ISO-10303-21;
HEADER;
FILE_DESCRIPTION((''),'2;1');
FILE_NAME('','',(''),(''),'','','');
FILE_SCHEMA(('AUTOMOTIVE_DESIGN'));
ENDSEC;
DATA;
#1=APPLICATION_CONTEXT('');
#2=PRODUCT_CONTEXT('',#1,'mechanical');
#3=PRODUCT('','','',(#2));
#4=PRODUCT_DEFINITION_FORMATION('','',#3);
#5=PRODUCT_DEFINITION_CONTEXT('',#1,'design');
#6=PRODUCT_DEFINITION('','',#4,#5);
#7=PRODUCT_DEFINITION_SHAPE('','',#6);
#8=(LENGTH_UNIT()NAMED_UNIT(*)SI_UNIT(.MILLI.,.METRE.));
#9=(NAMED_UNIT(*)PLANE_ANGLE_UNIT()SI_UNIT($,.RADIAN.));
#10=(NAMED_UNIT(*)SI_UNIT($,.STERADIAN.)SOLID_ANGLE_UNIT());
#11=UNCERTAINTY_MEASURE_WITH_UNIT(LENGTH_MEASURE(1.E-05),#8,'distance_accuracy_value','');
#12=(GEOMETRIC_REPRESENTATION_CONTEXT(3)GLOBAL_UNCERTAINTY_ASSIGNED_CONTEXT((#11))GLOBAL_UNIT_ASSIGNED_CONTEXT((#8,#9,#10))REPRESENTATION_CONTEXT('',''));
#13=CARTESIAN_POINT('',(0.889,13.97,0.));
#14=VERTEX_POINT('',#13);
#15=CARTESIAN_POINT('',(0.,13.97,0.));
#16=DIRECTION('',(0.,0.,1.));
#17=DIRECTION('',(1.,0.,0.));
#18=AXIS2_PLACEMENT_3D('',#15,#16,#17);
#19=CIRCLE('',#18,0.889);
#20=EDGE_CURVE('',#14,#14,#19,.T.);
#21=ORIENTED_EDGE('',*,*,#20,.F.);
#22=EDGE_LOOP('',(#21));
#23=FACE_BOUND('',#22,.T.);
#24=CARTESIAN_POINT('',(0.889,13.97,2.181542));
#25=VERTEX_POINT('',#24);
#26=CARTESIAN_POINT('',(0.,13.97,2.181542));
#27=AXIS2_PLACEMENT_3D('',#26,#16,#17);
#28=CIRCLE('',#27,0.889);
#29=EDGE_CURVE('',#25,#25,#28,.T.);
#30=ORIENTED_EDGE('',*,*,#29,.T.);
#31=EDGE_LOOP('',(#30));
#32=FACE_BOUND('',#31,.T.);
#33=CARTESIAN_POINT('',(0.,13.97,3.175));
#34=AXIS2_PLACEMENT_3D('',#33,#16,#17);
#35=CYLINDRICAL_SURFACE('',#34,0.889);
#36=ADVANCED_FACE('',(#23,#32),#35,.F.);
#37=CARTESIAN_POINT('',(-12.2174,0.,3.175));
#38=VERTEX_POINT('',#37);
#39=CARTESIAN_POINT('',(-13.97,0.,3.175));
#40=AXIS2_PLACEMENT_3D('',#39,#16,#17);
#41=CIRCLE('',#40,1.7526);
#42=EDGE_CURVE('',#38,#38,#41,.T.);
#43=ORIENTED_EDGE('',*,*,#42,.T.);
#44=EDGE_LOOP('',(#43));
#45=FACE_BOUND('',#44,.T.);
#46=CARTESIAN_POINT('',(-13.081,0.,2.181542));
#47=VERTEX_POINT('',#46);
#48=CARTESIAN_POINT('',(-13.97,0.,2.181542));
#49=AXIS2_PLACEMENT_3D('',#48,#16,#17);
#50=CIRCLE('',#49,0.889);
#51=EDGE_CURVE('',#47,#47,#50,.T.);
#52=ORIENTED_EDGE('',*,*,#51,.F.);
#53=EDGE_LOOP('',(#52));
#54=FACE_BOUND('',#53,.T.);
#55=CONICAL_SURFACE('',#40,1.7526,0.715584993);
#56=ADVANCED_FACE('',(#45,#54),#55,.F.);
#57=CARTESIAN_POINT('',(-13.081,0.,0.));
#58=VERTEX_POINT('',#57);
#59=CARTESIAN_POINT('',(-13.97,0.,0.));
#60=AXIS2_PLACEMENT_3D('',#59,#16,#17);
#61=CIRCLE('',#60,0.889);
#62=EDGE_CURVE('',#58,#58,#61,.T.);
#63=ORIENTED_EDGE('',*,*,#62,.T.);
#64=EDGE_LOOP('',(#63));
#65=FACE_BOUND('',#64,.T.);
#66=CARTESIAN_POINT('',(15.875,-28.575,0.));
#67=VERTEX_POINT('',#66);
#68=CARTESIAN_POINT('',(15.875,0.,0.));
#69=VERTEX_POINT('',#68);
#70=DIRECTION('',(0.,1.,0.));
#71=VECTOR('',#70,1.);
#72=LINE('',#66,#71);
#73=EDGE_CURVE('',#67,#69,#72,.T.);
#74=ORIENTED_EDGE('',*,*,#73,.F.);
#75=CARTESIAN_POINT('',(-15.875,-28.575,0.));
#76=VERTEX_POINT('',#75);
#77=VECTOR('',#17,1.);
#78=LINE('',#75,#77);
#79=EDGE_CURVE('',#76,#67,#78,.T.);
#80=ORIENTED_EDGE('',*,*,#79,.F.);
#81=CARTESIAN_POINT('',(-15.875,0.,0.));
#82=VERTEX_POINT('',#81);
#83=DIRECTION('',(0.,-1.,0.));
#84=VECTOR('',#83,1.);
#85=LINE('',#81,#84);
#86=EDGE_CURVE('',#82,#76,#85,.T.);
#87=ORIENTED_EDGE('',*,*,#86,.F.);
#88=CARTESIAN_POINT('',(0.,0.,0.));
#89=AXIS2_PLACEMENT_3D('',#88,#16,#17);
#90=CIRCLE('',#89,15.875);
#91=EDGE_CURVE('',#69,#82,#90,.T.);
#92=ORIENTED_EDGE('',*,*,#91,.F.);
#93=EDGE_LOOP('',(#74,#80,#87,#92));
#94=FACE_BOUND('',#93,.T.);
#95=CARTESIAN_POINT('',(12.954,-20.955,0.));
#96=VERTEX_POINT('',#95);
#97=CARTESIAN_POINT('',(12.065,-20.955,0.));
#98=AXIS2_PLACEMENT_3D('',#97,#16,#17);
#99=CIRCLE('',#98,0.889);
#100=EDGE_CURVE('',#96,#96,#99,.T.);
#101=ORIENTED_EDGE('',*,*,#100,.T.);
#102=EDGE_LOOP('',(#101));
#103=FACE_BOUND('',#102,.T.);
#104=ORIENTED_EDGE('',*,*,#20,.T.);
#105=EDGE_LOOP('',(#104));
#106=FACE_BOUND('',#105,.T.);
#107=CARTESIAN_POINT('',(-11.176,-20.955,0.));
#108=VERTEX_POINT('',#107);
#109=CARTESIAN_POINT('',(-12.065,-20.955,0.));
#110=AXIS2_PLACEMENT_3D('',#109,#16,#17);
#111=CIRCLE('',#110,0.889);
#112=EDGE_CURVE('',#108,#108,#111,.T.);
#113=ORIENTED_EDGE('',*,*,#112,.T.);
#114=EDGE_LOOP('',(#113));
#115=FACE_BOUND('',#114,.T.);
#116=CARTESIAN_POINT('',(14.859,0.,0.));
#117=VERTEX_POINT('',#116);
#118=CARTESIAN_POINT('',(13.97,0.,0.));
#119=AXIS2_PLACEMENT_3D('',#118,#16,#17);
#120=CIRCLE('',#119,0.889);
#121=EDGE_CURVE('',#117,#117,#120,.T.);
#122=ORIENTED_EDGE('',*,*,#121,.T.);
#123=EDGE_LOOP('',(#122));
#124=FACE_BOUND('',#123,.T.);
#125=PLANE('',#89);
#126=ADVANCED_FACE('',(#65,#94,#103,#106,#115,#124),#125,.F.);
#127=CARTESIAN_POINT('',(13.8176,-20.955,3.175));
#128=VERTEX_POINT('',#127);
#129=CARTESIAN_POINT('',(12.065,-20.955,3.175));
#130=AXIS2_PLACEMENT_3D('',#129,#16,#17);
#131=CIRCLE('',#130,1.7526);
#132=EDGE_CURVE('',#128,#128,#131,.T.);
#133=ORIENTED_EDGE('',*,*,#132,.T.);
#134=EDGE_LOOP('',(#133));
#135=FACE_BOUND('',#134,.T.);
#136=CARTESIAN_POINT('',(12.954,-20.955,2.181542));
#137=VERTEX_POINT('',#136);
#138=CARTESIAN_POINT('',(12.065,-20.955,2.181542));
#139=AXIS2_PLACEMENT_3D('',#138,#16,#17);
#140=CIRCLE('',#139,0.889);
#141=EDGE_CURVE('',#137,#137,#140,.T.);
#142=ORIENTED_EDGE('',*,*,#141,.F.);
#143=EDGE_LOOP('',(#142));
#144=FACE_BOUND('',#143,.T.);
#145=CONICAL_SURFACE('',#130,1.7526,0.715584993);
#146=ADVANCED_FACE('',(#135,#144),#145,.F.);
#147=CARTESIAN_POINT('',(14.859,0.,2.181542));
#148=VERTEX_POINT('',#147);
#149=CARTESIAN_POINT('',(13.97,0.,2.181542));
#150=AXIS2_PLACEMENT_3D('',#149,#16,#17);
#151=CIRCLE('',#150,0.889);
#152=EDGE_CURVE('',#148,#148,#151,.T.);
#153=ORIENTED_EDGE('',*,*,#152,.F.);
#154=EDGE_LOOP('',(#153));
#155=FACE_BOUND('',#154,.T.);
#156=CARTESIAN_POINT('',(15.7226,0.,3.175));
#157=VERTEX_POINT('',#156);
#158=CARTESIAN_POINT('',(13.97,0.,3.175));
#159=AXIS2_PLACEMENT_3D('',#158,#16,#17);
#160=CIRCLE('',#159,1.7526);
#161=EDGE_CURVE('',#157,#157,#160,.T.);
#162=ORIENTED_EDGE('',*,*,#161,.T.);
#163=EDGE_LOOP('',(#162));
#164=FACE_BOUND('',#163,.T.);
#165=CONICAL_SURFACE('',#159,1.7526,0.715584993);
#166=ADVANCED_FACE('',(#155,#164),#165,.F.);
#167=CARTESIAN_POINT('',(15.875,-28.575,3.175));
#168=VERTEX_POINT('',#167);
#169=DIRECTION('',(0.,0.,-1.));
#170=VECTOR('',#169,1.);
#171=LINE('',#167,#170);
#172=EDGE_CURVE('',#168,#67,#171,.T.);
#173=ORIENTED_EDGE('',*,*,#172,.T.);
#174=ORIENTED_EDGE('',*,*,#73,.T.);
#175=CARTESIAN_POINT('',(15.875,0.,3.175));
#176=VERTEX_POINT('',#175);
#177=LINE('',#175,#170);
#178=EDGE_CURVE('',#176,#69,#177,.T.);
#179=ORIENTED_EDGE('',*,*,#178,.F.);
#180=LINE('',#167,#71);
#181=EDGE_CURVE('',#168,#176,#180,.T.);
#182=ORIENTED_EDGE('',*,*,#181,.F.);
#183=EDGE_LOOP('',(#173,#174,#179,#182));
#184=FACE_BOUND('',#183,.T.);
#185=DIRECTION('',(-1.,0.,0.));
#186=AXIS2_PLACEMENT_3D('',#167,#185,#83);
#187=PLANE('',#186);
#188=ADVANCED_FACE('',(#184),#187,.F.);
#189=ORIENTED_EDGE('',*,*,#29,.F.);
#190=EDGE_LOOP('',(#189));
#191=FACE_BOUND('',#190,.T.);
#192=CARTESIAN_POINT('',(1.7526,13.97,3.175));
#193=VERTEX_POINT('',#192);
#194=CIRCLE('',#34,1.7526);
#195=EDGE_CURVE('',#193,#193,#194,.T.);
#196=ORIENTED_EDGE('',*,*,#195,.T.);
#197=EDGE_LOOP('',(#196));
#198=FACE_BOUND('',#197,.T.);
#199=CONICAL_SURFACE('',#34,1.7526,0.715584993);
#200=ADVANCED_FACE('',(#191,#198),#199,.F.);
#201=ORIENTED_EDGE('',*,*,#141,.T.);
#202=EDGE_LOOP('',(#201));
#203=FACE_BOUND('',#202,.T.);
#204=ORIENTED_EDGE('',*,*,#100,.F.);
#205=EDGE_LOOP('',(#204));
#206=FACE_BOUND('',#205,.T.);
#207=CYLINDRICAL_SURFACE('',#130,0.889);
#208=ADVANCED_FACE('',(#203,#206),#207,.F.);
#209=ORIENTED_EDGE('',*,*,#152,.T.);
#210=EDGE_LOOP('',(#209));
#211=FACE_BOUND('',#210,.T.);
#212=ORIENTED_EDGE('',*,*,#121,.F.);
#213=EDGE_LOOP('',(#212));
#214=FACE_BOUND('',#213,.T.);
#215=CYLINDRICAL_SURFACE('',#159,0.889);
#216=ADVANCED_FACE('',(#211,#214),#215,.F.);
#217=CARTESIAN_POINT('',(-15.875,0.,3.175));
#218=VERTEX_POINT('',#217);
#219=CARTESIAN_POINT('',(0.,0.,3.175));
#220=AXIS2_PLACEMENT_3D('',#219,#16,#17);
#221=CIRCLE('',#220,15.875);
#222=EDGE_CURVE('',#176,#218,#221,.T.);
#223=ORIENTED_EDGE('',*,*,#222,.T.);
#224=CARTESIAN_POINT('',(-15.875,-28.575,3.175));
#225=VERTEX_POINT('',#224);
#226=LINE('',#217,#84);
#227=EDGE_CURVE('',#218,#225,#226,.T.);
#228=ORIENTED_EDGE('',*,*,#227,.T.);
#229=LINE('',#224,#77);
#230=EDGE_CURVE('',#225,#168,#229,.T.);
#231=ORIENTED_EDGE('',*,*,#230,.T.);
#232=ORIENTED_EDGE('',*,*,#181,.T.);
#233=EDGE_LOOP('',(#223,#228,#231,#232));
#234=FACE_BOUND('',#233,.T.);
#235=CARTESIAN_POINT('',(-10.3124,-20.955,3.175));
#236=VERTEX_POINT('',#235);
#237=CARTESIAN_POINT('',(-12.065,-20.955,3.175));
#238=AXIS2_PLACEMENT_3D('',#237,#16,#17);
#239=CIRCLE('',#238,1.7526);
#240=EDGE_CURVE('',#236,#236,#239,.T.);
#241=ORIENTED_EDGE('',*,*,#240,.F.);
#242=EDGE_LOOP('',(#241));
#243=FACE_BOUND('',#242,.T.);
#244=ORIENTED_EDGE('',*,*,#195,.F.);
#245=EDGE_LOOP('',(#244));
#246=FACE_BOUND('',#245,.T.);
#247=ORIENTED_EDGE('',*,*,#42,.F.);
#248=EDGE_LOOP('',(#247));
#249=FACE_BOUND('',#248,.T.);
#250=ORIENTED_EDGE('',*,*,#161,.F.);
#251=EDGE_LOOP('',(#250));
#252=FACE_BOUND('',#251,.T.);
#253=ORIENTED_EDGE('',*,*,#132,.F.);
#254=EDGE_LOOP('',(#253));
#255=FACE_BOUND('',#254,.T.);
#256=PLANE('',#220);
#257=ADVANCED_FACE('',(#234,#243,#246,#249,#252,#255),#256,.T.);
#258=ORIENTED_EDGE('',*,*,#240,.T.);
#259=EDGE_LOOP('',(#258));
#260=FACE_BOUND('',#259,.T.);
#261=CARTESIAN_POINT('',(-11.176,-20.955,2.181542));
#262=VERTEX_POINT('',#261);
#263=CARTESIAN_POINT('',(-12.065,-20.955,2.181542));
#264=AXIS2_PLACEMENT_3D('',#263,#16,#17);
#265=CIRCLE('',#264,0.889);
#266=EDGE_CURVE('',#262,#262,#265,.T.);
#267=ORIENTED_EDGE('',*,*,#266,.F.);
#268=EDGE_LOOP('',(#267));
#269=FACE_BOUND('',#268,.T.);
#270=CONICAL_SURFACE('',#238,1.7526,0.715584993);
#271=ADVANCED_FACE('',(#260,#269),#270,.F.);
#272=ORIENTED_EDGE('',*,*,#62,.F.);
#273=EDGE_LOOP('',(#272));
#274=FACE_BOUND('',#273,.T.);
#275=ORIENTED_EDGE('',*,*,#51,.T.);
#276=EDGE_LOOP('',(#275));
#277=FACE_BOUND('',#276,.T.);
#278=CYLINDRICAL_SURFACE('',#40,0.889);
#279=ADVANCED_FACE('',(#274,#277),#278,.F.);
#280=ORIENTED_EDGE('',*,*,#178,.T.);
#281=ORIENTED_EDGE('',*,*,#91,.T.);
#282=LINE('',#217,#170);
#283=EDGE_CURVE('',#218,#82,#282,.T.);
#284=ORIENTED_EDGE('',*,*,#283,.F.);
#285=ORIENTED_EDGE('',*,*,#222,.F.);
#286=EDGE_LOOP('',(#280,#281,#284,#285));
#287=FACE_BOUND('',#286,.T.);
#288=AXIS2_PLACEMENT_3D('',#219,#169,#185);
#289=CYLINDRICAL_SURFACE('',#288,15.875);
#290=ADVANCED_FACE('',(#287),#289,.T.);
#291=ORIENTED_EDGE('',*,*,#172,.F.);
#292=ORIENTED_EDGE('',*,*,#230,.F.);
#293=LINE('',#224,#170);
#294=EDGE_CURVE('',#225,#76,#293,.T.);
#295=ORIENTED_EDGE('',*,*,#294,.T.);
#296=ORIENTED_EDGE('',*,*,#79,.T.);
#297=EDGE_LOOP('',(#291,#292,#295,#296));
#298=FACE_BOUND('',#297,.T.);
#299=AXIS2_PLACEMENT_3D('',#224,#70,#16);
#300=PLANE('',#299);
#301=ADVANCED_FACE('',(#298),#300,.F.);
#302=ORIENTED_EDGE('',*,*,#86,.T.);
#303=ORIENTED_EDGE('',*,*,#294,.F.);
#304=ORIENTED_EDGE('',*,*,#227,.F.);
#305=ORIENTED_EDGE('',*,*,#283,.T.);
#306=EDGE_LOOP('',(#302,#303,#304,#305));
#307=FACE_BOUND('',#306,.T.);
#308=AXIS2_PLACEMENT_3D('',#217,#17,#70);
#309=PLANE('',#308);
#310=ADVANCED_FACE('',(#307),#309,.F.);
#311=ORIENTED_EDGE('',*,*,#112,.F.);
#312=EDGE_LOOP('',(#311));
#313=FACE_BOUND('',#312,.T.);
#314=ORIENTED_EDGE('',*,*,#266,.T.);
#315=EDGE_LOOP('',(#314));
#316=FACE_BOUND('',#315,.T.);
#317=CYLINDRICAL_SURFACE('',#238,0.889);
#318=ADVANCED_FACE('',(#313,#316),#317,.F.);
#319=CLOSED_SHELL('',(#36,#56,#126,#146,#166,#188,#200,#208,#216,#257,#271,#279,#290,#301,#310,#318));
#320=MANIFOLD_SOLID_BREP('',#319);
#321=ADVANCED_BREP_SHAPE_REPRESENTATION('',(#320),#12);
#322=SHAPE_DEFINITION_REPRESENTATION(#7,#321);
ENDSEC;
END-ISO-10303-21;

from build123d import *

# Parameters (mm, degrees)
BOSS_EXTRUDE1_DEPTH                               = 3.175
CSK_FOR_0_FLAT_HEAD_SOCKET_CAP_SCREW1_D           = 1.778
CSK_FOR_0_FLAT_HEAD_SOCKET_CAP_SCREW1_CSINK_D     = 3.5052
CSK_FOR_0_FLAT_HEAD_SOCKET_CAP_SCREW1_CSINK_ANGLE = 82


with BuildPart() as part:
    # Sketch1 → Boss-Extrude1 (new body)
    with BuildSketch(Plane.XY):
        with BuildLine():
            Line((-15.875, 0), (-15.875, -28.575))
            Line((-15.875, -28.575), (15.875, -28.575))
            Line((15.875, -28.575), (15.875, 0))
            ThreePointArc((15.875, 0), (0, 15.875), (-15.875, 0))
        make_face()
    extrude(amount=BOSS_EXTRUDE1_DEPTH)

    # CSK for #0 Flat Head Socket Cap Screw1 (through all)
    with Locations(Plane.XY.offset(3.175)):
        with Locations((0, 13.97), (-13.97, 0), (13.97, 0), (-12.065, -20.955), (12.065, -20.955)):
            CounterSinkHole(CSK_FOR_0_FLAT_HEAD_SOCKET_CAP_SCREW1_D / 2, CSK_FOR_0_FLAT_HEAD_SOCKET_CAP_SCREW1_CSINK_D / 2, counter_sink_angle=CSK_FOR_0_FLAT_HEAD_SOCKET_CAP_SCREW1_CSINK_ANGLE)


solid = part.part
